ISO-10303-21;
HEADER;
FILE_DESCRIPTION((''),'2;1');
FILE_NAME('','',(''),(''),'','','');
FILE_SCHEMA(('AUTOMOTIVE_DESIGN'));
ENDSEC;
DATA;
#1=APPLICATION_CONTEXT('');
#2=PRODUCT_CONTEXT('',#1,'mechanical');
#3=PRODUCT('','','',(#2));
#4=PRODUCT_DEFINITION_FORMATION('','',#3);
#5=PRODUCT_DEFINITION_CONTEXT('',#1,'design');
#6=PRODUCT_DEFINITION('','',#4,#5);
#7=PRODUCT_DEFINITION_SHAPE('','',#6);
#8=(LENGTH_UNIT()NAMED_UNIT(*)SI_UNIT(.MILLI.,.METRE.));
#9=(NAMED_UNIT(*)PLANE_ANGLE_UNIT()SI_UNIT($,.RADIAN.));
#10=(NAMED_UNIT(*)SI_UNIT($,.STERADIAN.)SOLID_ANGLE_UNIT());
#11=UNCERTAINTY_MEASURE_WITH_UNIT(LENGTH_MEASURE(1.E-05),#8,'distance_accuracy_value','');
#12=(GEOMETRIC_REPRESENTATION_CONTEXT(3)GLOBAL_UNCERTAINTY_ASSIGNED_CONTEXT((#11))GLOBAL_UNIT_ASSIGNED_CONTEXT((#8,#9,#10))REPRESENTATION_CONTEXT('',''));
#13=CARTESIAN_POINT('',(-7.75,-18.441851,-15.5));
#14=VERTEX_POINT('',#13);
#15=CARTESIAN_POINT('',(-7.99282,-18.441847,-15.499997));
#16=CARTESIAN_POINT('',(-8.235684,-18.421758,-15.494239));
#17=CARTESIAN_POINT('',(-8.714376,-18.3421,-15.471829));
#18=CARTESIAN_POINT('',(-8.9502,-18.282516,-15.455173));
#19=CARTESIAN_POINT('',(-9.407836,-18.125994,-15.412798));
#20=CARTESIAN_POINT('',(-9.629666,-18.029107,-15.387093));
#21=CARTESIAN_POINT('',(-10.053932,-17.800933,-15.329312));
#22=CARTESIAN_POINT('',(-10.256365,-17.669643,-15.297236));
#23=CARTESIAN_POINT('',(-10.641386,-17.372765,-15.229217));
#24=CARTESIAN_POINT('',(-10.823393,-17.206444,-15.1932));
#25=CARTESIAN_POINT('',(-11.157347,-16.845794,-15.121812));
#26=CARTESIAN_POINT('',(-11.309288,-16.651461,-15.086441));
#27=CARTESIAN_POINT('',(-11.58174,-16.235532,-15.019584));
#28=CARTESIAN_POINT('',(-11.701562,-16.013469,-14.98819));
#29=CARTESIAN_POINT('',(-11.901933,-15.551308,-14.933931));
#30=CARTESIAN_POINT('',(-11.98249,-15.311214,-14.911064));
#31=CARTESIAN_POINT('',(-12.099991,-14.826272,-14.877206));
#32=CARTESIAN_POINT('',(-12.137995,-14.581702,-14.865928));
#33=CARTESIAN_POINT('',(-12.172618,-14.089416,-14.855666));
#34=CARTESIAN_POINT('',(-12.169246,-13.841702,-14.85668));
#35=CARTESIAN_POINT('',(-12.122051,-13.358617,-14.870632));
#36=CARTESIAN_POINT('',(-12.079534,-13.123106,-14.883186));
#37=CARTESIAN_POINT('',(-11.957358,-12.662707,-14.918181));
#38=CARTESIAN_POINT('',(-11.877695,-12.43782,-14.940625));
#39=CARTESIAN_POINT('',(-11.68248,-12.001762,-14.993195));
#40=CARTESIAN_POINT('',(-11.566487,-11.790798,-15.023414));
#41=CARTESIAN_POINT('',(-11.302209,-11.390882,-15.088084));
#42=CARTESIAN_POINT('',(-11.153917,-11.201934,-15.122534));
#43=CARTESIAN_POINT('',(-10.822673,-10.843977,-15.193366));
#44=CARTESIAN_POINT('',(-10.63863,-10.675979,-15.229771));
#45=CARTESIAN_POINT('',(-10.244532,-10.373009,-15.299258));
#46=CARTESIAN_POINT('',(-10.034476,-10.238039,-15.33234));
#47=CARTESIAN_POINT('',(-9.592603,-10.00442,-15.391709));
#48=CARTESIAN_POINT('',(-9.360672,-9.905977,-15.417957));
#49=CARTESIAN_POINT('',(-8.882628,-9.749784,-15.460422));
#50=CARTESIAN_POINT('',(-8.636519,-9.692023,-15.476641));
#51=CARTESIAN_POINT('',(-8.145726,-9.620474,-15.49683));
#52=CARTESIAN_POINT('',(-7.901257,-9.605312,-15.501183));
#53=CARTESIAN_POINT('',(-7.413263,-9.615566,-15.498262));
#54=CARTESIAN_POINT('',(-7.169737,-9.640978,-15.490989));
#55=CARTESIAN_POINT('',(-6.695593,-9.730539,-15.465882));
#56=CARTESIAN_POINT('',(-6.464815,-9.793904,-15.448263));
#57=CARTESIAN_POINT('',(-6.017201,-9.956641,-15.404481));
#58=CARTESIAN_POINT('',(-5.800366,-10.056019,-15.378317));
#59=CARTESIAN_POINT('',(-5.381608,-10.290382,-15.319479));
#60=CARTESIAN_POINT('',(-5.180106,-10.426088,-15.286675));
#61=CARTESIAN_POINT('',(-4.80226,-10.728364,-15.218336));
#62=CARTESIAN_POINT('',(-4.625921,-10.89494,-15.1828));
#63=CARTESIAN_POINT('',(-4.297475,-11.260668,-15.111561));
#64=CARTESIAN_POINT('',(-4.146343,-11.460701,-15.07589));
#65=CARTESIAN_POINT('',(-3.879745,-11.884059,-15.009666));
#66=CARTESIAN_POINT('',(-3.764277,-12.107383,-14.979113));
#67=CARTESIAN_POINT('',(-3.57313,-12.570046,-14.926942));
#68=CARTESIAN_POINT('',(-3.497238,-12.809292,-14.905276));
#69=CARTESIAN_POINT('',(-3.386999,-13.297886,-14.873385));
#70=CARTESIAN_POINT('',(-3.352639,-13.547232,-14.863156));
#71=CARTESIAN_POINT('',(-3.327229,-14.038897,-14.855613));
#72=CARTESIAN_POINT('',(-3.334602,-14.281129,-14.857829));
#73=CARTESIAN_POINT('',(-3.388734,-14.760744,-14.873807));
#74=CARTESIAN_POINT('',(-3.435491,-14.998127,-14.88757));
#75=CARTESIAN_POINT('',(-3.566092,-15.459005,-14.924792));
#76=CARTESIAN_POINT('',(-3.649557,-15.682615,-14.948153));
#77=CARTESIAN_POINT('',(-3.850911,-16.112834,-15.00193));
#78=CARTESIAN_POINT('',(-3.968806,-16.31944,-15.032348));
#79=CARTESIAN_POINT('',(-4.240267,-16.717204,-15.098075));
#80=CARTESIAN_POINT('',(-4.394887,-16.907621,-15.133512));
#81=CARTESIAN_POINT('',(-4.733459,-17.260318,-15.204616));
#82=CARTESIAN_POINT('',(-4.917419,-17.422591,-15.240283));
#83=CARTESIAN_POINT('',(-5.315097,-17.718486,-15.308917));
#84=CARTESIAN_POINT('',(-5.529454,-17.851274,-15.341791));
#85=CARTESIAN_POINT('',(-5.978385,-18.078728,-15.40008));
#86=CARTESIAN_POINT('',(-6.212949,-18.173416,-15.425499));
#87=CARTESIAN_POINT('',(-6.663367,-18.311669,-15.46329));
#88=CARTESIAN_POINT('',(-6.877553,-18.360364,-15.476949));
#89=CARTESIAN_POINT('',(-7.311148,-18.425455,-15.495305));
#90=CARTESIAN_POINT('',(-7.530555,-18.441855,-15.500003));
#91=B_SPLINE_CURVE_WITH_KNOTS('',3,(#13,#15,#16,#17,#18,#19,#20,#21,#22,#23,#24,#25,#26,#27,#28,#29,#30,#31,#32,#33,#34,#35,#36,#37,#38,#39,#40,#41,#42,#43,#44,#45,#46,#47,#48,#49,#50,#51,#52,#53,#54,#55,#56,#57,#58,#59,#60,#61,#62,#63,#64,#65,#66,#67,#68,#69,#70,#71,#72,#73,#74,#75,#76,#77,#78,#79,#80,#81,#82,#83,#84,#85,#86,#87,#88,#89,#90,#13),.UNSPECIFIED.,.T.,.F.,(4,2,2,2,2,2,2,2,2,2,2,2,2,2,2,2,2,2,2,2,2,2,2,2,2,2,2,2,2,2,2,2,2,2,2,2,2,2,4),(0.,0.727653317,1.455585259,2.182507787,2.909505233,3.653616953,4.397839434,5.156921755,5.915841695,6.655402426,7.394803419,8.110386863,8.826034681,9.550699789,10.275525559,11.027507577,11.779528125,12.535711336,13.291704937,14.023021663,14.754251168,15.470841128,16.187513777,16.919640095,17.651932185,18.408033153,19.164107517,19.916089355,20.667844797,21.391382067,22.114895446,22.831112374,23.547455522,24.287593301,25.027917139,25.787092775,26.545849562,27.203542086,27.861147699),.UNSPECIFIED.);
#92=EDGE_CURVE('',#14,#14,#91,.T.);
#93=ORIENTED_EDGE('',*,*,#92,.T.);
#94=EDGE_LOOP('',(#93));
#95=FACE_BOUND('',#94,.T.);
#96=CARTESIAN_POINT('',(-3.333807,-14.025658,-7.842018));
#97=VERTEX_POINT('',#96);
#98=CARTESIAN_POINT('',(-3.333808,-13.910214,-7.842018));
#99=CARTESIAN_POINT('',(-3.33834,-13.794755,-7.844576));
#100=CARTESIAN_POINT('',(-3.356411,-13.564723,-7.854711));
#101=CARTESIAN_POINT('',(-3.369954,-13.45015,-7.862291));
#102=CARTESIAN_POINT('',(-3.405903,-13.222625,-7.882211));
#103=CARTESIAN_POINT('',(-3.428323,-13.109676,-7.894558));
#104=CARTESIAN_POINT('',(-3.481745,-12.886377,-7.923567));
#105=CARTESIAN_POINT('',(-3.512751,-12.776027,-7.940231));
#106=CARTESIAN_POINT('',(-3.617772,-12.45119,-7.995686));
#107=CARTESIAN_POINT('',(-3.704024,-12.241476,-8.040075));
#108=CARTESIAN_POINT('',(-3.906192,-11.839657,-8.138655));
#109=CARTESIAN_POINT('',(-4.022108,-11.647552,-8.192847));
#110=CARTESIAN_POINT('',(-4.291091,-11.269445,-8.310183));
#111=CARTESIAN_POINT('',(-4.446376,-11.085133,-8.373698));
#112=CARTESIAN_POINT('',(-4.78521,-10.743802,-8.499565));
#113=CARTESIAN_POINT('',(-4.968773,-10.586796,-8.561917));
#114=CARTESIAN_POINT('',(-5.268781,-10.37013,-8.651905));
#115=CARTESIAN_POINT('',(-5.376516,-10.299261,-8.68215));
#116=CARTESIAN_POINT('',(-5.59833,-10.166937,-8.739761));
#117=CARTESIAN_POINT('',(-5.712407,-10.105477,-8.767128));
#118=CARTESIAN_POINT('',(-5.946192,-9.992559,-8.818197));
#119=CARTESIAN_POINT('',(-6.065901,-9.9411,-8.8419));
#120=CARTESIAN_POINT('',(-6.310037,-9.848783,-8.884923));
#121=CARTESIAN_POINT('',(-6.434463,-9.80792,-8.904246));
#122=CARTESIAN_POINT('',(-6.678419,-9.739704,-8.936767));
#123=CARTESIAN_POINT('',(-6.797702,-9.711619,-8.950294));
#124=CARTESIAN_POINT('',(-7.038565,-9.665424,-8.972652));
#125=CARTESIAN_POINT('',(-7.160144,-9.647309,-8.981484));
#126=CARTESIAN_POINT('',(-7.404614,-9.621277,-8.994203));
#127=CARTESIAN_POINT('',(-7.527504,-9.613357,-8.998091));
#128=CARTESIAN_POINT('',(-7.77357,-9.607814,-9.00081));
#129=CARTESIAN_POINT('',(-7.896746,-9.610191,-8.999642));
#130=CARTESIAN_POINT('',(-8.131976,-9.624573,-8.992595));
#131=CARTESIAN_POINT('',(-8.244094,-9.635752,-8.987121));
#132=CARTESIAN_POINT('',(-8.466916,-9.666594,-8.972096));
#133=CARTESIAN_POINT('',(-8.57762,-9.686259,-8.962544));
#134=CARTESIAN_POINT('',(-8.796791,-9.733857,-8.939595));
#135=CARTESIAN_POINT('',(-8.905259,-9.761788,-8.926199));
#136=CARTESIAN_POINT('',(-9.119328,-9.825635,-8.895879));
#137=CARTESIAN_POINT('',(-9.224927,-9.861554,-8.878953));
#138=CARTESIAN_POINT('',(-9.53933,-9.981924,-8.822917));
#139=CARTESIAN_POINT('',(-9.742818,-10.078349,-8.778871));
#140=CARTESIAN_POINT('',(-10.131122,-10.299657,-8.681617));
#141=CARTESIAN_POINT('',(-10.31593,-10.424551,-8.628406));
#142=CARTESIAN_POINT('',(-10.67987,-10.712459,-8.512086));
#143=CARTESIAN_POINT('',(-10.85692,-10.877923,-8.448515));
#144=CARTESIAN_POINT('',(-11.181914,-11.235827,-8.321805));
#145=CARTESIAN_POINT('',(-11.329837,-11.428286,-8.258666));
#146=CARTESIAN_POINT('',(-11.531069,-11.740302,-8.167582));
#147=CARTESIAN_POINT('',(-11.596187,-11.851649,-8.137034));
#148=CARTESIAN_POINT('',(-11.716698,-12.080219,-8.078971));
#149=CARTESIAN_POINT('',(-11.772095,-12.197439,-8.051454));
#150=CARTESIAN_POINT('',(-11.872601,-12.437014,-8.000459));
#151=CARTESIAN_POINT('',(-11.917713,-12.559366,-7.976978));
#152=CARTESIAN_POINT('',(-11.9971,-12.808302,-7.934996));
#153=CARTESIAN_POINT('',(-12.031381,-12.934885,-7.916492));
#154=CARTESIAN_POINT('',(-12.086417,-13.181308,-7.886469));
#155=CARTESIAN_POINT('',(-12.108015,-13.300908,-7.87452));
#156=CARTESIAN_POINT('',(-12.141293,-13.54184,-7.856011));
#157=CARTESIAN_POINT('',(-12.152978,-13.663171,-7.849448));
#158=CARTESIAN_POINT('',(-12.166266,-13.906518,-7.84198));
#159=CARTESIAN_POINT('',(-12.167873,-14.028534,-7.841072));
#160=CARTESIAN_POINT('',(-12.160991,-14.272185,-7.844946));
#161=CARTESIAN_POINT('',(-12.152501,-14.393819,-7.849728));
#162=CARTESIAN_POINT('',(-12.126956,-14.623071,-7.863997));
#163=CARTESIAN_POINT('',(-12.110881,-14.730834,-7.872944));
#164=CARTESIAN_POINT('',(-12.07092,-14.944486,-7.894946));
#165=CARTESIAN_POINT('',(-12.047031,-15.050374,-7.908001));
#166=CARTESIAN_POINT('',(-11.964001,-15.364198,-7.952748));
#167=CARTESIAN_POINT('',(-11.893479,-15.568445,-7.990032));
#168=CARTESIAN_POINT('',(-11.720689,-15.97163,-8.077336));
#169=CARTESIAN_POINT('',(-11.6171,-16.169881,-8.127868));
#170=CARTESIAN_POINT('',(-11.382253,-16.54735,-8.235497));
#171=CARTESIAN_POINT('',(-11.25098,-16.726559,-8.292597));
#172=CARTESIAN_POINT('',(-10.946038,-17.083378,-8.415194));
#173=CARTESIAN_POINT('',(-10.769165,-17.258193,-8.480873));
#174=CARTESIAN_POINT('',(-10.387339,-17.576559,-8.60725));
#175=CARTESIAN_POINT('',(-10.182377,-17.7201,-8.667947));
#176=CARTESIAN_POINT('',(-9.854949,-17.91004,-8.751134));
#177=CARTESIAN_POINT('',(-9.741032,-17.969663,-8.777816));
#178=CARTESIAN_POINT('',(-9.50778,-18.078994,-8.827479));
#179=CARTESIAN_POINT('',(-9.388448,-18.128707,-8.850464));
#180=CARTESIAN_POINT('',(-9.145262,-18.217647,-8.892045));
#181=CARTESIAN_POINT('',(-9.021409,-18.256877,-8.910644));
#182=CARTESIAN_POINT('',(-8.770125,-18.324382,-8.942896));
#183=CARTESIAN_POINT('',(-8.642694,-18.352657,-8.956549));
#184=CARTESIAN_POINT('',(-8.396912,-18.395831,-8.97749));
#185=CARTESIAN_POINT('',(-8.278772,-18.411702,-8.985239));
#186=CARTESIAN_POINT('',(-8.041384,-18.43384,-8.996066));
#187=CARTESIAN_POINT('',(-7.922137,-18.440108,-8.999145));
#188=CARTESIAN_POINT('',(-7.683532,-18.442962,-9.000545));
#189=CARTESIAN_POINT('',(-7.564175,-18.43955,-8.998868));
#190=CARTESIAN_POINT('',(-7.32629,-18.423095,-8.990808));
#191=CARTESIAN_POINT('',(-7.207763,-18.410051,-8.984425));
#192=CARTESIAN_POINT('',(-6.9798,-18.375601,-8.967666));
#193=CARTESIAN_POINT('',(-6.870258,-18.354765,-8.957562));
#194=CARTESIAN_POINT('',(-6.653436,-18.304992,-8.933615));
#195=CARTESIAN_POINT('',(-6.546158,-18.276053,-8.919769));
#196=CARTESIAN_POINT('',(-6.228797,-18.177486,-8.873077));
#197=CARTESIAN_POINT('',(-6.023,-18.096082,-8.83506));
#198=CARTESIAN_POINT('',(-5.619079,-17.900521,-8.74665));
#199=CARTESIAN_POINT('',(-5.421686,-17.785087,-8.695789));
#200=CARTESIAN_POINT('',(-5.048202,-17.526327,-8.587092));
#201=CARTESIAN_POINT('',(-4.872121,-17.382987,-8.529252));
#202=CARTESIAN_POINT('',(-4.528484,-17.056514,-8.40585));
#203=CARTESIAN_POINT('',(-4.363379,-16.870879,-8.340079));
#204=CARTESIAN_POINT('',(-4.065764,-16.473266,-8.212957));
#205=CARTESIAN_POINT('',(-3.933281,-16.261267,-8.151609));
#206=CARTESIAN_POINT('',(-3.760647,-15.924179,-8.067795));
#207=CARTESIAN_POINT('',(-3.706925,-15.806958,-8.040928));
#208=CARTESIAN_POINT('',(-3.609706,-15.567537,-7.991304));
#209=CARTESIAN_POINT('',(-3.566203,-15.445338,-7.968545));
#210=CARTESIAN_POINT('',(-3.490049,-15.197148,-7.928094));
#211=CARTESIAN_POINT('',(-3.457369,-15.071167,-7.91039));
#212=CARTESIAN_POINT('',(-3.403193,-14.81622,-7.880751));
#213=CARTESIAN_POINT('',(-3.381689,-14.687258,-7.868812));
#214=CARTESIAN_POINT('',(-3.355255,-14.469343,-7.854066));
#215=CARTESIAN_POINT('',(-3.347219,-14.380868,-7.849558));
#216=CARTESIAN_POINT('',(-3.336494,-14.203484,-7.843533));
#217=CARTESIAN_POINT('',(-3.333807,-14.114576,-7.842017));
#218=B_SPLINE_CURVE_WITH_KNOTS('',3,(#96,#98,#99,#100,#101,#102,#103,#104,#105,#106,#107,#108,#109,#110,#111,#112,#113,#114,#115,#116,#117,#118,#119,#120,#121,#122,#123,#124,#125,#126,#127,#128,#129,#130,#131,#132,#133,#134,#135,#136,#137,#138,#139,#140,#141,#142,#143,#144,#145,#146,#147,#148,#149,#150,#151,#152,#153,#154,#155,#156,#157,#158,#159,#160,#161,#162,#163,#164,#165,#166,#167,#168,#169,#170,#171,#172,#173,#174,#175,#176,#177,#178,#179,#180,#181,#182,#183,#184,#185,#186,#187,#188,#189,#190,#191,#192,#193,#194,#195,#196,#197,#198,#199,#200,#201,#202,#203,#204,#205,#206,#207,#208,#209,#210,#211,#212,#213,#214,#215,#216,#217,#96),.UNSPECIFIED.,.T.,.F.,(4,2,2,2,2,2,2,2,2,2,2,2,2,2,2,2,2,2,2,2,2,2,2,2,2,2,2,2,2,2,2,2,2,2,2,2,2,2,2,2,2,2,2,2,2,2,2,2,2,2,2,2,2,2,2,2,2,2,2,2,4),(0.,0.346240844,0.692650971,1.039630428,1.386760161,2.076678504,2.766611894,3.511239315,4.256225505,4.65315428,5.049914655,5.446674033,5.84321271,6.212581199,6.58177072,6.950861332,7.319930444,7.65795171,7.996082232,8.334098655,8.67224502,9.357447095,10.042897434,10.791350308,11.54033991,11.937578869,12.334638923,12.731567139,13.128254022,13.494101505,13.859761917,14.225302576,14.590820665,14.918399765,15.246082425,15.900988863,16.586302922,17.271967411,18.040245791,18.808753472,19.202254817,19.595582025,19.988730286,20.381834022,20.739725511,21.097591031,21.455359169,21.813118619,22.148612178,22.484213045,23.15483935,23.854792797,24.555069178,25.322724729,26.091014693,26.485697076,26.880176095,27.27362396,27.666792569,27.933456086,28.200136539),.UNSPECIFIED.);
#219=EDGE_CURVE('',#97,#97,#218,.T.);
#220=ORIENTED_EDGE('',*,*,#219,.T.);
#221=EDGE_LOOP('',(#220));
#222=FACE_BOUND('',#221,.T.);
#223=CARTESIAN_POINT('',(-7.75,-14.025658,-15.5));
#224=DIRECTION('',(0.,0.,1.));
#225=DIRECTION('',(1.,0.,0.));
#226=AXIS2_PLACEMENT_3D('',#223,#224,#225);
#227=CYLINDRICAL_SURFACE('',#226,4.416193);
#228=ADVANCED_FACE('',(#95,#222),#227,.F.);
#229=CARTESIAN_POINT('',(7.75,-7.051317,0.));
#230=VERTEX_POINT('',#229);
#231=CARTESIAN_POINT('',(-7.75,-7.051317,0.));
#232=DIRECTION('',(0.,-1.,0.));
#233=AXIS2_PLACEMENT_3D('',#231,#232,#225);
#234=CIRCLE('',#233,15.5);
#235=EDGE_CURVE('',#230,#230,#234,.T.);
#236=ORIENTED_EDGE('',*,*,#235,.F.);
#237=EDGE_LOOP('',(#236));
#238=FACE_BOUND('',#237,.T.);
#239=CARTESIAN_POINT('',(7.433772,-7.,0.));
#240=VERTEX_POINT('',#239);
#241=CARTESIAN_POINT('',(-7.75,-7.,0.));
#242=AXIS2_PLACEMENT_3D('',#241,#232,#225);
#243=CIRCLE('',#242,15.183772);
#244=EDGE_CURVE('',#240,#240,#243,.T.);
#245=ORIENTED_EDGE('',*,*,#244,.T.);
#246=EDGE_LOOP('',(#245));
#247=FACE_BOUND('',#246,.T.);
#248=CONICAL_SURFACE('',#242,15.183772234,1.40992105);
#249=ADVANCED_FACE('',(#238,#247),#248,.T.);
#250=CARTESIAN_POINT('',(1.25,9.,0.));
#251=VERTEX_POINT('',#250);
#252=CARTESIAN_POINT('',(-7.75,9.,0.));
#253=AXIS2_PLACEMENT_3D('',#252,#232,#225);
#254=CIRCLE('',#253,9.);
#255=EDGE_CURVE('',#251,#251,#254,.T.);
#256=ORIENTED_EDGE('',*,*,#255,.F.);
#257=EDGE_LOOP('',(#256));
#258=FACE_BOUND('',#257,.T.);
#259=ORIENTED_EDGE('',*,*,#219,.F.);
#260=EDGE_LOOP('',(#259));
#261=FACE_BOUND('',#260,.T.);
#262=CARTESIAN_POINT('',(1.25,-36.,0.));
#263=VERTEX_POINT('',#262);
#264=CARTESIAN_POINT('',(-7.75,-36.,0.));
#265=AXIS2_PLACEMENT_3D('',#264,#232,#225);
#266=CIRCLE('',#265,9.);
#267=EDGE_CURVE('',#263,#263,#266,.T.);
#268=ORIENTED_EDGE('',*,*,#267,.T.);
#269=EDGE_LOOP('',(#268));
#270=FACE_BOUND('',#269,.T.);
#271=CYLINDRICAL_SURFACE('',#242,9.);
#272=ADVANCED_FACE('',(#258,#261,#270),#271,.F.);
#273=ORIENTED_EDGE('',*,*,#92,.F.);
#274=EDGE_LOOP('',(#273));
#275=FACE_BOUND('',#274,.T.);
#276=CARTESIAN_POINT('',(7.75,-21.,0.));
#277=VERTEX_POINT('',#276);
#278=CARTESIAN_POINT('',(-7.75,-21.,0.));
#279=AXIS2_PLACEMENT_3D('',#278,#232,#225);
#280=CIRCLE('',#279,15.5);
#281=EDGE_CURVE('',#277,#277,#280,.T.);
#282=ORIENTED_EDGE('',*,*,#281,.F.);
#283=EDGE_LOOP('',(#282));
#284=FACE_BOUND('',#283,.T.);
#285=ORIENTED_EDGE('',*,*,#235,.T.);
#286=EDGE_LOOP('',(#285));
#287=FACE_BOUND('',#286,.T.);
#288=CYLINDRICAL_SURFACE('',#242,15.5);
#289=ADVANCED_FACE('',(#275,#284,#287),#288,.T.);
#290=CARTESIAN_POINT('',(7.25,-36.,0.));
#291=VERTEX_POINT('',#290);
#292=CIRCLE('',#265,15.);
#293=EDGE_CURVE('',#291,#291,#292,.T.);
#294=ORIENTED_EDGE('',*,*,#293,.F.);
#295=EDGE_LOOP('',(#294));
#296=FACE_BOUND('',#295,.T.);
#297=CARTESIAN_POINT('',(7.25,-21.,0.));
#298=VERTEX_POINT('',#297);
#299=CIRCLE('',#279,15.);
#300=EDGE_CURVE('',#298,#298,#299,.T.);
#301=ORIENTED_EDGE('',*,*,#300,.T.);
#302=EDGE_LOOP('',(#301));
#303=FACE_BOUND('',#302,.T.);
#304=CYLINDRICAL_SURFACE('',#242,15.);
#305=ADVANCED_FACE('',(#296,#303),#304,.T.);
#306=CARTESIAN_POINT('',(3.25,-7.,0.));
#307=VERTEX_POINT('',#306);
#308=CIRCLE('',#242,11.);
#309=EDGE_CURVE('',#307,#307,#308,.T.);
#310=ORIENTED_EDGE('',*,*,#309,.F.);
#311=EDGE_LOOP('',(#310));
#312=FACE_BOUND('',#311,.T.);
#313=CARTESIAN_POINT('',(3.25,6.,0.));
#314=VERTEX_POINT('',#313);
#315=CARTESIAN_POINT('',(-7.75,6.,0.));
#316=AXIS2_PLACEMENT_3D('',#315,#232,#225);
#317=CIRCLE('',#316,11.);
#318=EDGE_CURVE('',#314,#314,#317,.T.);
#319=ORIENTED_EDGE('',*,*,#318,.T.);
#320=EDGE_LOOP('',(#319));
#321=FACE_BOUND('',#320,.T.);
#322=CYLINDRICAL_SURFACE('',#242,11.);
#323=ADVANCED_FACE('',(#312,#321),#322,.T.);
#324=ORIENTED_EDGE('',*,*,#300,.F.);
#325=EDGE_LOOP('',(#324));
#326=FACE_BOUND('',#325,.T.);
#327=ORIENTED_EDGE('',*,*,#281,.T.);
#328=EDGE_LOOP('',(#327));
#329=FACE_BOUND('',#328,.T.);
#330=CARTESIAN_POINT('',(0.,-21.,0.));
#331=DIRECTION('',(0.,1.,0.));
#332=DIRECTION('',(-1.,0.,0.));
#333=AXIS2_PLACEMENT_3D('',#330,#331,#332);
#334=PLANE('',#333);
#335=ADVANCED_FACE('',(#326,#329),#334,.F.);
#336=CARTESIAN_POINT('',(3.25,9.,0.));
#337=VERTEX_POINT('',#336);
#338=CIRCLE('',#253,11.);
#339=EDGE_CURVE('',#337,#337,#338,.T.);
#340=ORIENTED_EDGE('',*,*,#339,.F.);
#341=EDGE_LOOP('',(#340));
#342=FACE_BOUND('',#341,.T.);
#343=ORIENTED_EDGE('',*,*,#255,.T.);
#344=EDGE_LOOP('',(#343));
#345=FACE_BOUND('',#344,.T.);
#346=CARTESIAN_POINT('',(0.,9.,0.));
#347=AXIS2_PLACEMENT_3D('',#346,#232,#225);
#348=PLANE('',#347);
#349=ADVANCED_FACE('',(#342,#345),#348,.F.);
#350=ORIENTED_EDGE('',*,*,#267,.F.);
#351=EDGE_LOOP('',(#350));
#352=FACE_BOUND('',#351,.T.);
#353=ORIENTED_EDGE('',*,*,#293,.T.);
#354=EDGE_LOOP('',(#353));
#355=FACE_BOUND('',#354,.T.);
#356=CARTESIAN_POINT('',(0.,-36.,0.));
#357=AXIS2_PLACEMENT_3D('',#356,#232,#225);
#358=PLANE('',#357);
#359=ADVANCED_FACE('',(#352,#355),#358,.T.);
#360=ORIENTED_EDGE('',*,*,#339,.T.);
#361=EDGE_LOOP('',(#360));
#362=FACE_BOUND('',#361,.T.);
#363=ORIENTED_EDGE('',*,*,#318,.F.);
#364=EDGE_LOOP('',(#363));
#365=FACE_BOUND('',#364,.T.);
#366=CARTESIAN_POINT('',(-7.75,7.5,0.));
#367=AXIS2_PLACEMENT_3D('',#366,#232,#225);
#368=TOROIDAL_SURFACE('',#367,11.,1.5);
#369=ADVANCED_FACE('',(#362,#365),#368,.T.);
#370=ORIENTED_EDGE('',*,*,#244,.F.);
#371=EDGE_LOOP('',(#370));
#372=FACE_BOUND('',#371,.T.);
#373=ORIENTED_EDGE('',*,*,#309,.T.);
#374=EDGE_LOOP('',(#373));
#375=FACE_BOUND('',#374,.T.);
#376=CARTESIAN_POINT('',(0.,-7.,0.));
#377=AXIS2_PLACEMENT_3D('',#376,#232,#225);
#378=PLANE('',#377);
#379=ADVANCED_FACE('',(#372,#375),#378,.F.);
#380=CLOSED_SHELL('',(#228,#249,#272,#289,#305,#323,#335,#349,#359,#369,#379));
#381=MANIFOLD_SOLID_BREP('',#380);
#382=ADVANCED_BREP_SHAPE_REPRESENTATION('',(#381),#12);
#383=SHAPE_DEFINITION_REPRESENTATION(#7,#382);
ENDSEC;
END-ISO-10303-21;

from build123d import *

# Parameters (mm, degrees)
CROQUIS1_W            = 6
CROQUIS1_H            = 15
CROQUIS2_R            = 4.41619294
CORTAR_EXTRUIR1_DEPTH = 46.572058325


with BuildPart() as part:
    # Croquis1 → Revolución1 (revolve)
    with BuildSketch(Plane.XY):
        with BuildLine():
            Line((7.75, -7.051316702), (7.433772234, -7))
            Line((7.433772234, -7), (3.25, -7))
            Line((3.25, -7), (3.25, 6))
            ThreePointArc((3.25, 6), (4.75, 7.5), (3.25, 9))
            Line((3.25, 9), (1.25, 9))
            Line((1.25, 9), (1.25, -9))
            Line((1.25, -9), (4.765255872, -9))
            Line((4.765255872, -9), (7.75, -9))
            Line((7.75, -9), (7.75, -7.051316702))
        make_face()
        Polygon((7.75, -21), (7.75, -9), (4.765255872, -9), (1.25, -9), (1.25, -21), (7.25, -21), align=None)
        with Locations((4.25, -28.5)):
            Rectangle(CROQUIS1_W, CROQUIS1_H)
    revolve(axis=Axis((-7.75, -7, 0), (0, 1, 0)))

    # Croquis2 → Cortar-Extruir1 (cut, through all)
    with BuildSketch(Plane.XY):
        with Locations((-7.75, -14.025658351)):
            Circle(CROQUIS2_R)
    extrude(amount=-CORTAR_EXTRUIR1_DEPTH, mode=Mode.SUBTRACT)


solid = part.part
